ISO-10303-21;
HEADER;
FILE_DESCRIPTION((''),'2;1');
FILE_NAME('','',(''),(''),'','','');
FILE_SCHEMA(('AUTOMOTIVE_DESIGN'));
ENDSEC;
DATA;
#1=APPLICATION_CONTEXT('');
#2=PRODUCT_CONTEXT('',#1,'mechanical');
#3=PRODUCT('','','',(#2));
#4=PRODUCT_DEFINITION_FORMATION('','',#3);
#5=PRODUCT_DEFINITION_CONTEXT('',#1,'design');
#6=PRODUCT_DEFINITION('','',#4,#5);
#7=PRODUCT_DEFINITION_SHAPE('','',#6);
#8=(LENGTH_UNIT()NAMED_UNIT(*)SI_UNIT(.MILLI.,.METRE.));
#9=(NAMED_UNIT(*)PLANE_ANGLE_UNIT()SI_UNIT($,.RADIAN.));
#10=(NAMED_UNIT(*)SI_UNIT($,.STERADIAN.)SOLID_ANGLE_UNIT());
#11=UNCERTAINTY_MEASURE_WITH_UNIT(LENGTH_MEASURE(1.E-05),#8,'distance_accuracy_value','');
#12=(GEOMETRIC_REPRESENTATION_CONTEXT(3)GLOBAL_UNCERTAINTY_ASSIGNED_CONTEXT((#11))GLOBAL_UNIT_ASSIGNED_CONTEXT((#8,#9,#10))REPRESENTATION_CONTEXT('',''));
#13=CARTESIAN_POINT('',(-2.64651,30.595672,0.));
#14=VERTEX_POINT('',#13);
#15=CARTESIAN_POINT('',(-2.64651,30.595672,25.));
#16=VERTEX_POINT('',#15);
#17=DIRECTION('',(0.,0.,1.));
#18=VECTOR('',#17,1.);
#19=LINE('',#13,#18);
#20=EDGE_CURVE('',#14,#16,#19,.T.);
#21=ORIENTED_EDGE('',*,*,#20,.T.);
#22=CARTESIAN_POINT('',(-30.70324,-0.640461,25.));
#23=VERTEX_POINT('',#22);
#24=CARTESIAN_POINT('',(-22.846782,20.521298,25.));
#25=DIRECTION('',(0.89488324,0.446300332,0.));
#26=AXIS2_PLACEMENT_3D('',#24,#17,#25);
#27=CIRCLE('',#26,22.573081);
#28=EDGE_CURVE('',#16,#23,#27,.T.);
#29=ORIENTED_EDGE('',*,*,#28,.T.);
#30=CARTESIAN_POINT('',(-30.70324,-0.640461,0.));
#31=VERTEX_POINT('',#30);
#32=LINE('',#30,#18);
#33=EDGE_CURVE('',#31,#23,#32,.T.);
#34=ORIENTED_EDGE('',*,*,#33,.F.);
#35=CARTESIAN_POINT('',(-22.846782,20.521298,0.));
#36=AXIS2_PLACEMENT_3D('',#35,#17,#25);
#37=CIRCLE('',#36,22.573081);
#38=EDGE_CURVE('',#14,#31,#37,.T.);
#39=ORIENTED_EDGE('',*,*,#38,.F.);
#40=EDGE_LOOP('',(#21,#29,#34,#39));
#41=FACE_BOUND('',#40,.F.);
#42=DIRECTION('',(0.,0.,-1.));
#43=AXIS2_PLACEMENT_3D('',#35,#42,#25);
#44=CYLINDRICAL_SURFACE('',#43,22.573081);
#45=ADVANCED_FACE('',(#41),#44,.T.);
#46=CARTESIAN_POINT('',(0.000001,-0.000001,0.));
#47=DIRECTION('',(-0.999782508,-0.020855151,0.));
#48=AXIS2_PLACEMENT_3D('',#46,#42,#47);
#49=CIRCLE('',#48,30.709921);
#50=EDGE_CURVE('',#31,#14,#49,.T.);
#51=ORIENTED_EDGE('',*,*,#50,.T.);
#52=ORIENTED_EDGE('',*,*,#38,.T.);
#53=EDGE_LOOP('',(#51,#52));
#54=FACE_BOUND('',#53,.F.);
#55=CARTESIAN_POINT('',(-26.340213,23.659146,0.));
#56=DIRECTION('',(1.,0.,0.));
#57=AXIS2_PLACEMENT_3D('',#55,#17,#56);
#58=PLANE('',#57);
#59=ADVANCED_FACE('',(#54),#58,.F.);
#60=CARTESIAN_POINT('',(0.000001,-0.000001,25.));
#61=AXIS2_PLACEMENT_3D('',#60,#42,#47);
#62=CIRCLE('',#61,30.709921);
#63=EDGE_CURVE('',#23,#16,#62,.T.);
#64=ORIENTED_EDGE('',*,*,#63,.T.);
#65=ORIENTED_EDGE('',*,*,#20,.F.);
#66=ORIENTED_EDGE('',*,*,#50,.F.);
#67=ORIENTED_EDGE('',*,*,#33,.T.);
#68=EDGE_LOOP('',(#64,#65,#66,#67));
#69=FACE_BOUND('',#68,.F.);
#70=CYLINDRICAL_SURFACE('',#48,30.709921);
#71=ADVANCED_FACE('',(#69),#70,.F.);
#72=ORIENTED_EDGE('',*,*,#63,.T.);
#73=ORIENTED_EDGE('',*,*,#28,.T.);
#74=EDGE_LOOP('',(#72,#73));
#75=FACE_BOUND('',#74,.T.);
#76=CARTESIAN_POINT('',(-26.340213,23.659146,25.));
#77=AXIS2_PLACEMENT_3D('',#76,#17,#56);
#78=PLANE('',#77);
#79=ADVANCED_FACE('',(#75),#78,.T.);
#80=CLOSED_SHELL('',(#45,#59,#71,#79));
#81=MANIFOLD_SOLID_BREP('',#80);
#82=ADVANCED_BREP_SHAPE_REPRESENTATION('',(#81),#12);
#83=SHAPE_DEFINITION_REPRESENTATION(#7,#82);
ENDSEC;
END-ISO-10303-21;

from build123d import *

# Parameters (mm, degrees)
F1_DEPTH = 25


with BuildPart() as f1:
    # F0 (on Top) → F1 (new body)
    with BuildSketch(Plane.XY):
        with BuildLine():
            ThreePointArc((-30.70324, -0.640461), (-22.846782, 20.521298), (-2.64651, 30.595672))
            ThreePointArc((-2.64651, 30.595672), (-39.640127, 35.605315), (-30.70324, -0.640461))
        make_face()
    extrude(amount=F1_DEPTH)


solid = f1.part
